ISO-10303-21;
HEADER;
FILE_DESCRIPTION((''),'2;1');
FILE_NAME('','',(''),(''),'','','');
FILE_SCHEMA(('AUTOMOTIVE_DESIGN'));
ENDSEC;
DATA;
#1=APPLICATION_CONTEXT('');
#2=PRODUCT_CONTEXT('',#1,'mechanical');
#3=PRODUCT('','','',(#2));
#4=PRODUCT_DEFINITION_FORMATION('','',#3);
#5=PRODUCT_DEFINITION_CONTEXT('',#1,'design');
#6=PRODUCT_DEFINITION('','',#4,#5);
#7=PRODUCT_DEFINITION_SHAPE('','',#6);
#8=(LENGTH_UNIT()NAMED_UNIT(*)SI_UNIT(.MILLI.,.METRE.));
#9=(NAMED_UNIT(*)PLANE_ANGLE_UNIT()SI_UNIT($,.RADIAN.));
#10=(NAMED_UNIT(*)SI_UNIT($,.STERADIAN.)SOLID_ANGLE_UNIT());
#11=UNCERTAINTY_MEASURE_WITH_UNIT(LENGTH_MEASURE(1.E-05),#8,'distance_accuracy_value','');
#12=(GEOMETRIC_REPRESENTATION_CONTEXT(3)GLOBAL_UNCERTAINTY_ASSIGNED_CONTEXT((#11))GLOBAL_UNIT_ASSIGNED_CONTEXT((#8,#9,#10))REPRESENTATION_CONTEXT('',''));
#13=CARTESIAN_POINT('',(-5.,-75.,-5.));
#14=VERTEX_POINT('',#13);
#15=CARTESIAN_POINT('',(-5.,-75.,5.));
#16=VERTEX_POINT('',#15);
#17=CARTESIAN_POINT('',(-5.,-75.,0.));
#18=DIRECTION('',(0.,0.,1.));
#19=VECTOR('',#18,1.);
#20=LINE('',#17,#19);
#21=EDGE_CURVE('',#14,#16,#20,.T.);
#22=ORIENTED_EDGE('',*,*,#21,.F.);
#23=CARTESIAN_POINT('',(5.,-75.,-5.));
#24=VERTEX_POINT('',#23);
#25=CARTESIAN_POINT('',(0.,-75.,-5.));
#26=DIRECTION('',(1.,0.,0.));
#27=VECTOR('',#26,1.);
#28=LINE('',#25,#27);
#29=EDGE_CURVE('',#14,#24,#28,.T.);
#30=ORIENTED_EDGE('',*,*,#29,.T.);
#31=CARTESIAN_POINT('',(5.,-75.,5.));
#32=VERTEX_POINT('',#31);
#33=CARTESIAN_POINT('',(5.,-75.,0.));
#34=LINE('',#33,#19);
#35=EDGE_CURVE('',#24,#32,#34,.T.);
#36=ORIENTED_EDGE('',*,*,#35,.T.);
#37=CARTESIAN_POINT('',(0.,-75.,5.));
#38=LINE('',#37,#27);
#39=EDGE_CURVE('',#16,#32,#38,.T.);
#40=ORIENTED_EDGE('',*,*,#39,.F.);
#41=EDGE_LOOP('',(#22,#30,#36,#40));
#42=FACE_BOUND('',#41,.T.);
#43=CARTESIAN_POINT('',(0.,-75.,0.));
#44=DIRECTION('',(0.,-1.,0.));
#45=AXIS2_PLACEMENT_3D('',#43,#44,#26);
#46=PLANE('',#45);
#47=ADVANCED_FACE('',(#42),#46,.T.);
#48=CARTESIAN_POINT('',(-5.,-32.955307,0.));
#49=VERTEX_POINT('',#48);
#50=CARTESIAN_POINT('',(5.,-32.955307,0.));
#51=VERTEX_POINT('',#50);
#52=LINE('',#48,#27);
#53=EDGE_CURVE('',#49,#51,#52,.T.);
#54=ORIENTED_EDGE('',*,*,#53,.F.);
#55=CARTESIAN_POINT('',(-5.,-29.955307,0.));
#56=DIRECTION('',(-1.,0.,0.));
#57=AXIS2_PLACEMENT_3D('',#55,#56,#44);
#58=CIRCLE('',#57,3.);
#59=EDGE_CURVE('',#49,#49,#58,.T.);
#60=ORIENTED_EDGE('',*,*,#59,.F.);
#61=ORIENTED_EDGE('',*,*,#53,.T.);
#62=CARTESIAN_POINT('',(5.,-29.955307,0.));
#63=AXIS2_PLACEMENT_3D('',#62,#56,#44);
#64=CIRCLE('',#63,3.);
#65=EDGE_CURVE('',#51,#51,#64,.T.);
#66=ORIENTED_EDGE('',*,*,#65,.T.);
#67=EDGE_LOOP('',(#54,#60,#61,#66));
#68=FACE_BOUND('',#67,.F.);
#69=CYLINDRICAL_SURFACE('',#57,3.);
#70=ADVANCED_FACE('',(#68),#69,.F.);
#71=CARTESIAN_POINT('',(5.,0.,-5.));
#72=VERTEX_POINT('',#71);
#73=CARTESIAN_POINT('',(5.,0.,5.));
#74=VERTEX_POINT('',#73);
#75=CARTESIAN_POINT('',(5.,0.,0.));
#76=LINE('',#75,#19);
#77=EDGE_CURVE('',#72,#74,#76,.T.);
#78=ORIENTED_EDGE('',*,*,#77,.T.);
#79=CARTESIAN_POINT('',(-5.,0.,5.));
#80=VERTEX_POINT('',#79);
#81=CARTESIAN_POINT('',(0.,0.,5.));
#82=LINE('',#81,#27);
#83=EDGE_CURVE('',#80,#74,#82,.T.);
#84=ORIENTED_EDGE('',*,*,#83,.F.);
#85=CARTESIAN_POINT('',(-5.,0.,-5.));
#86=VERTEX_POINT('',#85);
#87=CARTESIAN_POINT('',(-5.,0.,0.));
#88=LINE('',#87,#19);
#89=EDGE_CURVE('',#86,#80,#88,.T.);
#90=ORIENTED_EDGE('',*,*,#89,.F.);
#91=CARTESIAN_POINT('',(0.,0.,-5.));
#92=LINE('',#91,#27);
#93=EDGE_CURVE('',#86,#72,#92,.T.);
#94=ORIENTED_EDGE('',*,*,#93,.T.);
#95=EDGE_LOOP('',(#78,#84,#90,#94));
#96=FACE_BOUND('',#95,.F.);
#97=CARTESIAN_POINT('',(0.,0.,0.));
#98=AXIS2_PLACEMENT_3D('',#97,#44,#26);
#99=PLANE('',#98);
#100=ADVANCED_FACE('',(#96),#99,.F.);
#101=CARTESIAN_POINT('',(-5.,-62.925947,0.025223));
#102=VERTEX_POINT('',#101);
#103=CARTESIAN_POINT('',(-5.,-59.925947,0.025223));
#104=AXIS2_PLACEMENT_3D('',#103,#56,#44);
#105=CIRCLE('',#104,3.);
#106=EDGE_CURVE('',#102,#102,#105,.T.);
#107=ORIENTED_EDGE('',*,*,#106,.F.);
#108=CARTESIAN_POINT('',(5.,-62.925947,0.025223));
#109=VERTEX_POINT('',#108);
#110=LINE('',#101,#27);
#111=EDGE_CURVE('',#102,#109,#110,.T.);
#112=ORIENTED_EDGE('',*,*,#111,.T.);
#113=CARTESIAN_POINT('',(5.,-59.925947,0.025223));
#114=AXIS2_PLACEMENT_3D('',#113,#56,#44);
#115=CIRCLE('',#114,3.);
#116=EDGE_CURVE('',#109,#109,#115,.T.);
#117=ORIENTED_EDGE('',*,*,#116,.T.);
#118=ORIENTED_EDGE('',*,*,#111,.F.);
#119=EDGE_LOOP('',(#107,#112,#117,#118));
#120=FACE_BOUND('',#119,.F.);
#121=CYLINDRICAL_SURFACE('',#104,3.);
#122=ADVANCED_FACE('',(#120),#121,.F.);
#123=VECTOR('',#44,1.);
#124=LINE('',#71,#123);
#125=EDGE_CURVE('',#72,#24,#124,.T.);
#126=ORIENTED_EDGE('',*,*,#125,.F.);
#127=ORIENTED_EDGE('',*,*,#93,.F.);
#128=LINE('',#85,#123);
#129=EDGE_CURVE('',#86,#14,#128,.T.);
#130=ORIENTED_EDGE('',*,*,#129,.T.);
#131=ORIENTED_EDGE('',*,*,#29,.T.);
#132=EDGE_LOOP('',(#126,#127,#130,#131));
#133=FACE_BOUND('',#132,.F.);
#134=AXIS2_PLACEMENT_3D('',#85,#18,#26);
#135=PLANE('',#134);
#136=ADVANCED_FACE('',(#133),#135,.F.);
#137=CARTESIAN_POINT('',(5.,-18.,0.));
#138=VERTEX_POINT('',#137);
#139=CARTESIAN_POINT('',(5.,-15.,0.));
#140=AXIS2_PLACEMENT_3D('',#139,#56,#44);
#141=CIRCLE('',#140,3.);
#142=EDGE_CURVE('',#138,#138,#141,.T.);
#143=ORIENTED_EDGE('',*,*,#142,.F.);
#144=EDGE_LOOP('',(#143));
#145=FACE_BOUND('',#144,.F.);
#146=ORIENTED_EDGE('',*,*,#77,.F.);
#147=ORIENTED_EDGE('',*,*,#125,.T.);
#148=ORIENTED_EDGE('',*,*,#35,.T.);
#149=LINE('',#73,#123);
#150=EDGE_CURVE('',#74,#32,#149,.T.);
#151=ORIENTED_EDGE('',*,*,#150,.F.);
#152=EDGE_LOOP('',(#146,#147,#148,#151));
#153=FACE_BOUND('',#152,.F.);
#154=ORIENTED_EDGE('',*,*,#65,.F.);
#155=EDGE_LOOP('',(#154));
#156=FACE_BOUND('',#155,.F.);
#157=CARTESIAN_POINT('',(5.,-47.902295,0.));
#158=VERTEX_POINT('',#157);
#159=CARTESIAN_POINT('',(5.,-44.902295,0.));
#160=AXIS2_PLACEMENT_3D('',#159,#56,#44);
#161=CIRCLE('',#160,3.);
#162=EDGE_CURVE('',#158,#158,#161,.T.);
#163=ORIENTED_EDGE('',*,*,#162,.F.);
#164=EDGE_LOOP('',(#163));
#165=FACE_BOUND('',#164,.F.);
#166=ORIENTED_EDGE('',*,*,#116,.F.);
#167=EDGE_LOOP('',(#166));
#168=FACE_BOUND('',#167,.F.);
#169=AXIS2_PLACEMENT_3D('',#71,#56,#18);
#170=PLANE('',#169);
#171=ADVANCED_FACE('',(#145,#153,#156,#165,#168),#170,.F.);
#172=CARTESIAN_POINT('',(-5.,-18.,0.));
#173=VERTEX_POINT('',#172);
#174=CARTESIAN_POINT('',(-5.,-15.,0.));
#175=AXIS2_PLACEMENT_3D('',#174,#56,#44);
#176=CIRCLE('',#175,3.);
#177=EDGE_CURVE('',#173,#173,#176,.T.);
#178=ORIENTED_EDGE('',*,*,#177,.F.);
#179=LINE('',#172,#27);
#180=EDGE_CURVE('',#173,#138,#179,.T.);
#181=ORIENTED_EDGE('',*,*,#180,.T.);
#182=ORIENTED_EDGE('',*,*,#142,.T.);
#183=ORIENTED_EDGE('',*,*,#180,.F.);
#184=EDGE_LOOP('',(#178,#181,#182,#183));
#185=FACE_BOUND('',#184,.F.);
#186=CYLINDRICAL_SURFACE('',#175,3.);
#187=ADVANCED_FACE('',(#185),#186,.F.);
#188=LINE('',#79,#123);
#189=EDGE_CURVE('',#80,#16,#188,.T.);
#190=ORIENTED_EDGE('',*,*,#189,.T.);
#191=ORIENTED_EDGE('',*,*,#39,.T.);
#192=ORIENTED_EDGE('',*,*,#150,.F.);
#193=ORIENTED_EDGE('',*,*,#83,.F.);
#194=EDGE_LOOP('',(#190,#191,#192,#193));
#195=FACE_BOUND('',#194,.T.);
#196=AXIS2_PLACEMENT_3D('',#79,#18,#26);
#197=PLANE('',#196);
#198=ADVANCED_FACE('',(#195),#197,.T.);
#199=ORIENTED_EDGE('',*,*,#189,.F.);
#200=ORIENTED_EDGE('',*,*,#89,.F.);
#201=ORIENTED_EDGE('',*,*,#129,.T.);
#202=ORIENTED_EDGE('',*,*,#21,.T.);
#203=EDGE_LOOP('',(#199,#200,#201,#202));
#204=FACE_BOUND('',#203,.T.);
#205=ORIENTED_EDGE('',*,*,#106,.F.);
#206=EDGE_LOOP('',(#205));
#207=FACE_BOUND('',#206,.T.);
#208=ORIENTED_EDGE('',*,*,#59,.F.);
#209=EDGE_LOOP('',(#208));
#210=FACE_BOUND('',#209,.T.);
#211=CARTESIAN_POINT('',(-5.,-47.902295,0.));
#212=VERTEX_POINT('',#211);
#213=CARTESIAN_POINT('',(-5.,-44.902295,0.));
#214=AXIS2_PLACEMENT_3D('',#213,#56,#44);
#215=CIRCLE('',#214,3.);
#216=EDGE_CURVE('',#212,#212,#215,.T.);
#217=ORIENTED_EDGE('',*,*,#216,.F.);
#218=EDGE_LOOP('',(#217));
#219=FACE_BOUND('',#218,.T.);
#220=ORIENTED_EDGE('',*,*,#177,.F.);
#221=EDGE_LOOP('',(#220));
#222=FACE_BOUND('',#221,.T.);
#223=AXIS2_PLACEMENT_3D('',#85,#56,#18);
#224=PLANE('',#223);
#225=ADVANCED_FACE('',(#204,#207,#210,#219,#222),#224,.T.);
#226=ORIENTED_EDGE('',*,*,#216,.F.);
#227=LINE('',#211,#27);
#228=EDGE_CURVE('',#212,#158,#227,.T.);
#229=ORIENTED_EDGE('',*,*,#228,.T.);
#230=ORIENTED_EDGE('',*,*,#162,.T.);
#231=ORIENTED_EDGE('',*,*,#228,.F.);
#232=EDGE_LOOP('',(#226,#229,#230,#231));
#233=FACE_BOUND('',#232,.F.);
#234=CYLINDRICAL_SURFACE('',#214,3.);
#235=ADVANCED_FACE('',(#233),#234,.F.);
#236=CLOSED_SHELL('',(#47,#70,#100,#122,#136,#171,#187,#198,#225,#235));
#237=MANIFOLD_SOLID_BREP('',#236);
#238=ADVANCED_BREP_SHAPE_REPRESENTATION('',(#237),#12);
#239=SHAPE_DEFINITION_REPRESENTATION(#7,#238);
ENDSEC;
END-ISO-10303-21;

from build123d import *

# Parameters (mm, degrees)
F0_W     = 10
F0_H     = 10
F1_DEPTH = 75
F2_R     = 3
F3_DEPTH = 25


with BuildPart() as f1:
    # F0 (on Front) → F1 (new body)
    with BuildSketch(Plane.XZ):
        Rectangle(F0_W, F0_H)
    extrude(amount=F1_DEPTH)

    # F2 (on face) → F3 (cut)
    with BuildSketch(Plane(origin=(-5, 0, 0), x_dir=(0, -1, 0), z_dir=(-1, 0, 0))):
        with Locations((15, 0)):
            Circle(F2_R)
        with Locations((29.955307, 0)):
            Circle(F2_R)
        with Locations((44.902295, 0)):
            Circle(F2_R)
        with Locations((59.925947, 0.025223)):
            Circle(F2_R)
    extrude(amount=-F3_DEPTH, mode=Mode.SUBTRACT)


solid = f1.part
